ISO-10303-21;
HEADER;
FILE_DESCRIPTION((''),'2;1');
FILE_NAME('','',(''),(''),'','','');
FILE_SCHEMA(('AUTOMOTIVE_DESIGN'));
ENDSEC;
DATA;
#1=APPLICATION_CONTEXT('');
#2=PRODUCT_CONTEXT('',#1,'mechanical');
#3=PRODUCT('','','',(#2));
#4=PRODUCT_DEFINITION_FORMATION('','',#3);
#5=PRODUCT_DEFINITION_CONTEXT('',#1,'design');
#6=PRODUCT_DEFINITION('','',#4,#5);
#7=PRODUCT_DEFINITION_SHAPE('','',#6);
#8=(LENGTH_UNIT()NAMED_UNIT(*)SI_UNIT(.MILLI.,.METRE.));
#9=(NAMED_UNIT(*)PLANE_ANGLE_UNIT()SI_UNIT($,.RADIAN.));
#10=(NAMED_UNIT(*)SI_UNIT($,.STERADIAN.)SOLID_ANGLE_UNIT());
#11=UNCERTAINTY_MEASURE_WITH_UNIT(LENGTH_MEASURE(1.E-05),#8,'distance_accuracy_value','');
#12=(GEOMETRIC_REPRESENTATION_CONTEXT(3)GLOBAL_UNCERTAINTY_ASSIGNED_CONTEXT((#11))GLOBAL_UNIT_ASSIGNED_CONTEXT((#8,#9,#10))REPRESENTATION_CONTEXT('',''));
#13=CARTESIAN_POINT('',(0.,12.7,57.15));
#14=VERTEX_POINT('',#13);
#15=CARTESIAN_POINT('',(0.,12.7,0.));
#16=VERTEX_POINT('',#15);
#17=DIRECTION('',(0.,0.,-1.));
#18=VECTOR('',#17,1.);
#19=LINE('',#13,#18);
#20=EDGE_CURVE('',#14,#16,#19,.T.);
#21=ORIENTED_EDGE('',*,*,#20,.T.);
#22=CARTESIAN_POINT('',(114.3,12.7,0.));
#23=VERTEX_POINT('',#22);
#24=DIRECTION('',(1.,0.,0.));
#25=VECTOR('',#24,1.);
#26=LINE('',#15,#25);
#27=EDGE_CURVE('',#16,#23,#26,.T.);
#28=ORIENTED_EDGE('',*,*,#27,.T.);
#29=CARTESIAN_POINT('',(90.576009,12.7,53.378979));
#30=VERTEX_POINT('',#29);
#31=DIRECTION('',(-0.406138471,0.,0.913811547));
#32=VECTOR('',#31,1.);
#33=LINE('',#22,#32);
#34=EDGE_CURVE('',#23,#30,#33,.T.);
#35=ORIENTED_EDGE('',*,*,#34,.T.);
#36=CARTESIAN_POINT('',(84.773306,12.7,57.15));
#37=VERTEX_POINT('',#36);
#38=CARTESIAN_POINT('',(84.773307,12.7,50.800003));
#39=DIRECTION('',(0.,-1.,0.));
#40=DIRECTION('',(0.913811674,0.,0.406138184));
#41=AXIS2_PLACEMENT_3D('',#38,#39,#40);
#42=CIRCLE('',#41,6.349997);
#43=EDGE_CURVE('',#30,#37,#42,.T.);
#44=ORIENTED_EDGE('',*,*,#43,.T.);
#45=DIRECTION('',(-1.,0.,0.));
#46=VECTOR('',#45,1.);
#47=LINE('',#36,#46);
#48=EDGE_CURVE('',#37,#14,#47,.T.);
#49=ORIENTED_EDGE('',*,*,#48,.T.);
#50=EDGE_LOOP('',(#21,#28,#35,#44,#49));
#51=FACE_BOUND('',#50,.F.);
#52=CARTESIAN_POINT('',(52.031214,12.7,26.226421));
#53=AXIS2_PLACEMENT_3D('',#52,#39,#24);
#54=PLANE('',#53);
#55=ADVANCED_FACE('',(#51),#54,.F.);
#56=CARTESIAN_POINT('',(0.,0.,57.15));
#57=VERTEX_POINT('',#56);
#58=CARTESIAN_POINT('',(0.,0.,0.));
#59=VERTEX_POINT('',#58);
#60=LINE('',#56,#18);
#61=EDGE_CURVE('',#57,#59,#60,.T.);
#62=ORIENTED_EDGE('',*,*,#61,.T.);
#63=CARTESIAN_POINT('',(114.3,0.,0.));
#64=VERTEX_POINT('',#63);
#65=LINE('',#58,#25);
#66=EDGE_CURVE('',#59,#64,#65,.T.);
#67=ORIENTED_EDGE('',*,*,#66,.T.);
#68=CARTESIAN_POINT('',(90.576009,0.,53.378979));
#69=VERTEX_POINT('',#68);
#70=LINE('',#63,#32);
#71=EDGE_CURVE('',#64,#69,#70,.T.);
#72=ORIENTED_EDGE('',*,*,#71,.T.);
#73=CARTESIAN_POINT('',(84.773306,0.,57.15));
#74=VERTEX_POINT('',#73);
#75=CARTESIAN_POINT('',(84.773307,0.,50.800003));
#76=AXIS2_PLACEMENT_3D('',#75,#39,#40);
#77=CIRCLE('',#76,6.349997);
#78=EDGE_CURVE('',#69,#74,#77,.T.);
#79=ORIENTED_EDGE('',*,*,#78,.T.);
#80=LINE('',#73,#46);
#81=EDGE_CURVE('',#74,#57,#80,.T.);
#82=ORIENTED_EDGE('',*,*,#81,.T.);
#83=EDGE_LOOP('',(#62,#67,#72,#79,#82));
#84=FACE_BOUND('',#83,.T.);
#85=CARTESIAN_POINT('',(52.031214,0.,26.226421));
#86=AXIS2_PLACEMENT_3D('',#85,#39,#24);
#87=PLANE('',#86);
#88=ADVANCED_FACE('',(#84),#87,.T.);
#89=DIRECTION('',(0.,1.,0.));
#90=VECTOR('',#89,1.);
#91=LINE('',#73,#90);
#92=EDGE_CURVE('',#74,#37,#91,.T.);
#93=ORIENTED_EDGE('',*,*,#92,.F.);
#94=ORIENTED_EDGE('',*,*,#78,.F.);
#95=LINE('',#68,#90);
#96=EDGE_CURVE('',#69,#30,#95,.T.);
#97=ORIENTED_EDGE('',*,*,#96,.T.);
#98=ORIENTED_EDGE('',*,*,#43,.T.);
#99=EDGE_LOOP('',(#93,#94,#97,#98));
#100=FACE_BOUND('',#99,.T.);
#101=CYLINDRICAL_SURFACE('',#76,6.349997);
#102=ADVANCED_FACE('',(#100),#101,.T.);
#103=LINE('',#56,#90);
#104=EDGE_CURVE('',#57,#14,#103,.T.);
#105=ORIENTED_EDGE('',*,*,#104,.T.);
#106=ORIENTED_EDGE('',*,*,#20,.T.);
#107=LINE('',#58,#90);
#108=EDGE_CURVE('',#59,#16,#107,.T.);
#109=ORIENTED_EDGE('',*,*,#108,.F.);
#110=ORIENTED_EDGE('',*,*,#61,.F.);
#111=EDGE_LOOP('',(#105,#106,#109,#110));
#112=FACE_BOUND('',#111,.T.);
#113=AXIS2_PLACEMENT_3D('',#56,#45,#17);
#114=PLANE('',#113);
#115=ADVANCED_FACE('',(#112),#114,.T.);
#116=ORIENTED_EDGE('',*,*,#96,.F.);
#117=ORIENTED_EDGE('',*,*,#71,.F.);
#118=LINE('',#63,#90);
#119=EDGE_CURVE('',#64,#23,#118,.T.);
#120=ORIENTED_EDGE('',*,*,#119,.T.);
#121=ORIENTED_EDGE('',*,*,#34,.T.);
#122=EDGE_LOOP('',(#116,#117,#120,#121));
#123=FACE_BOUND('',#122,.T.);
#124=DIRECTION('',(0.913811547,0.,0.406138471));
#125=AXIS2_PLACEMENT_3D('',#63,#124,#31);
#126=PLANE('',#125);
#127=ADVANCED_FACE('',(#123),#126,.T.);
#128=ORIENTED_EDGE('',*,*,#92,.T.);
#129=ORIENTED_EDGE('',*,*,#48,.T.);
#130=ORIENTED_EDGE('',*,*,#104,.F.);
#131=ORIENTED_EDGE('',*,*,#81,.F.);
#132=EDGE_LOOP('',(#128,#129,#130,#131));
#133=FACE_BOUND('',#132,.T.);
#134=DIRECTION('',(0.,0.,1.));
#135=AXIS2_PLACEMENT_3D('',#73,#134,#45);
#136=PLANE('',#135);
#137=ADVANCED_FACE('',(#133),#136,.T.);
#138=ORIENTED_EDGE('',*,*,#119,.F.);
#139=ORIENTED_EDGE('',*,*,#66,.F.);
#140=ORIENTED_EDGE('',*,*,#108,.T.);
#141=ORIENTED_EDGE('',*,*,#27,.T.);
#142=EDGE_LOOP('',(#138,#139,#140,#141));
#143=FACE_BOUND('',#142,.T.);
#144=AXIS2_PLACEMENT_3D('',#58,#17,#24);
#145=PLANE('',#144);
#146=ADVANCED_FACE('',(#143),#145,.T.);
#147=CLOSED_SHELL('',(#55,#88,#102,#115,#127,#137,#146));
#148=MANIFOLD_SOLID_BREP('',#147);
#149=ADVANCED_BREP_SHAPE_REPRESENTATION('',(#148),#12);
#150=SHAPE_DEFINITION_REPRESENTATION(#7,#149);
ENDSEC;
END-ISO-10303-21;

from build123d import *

# Parameters (mm, degrees)
F1_DEPTH = 12.7


with BuildPart() as f1:
    # F0 (on Front) → F1 (new body)
    with BuildSketch(Plane.XZ):
        with BuildLine():
            Line((0, 0), (114.3, 0))
            Line((114.3, 0), (90.576009, 53.378979))
            ThreePointArc((90.576009, 53.378979), (88.233507, 56.124426), (84.773306, 57.15))
            Line((84.773306, 57.15), (0, 57.15))
            Line((0, 57.15), (0, 0))
        make_face()
    extrude(amount=-F1_DEPTH)


solid = f1.part
